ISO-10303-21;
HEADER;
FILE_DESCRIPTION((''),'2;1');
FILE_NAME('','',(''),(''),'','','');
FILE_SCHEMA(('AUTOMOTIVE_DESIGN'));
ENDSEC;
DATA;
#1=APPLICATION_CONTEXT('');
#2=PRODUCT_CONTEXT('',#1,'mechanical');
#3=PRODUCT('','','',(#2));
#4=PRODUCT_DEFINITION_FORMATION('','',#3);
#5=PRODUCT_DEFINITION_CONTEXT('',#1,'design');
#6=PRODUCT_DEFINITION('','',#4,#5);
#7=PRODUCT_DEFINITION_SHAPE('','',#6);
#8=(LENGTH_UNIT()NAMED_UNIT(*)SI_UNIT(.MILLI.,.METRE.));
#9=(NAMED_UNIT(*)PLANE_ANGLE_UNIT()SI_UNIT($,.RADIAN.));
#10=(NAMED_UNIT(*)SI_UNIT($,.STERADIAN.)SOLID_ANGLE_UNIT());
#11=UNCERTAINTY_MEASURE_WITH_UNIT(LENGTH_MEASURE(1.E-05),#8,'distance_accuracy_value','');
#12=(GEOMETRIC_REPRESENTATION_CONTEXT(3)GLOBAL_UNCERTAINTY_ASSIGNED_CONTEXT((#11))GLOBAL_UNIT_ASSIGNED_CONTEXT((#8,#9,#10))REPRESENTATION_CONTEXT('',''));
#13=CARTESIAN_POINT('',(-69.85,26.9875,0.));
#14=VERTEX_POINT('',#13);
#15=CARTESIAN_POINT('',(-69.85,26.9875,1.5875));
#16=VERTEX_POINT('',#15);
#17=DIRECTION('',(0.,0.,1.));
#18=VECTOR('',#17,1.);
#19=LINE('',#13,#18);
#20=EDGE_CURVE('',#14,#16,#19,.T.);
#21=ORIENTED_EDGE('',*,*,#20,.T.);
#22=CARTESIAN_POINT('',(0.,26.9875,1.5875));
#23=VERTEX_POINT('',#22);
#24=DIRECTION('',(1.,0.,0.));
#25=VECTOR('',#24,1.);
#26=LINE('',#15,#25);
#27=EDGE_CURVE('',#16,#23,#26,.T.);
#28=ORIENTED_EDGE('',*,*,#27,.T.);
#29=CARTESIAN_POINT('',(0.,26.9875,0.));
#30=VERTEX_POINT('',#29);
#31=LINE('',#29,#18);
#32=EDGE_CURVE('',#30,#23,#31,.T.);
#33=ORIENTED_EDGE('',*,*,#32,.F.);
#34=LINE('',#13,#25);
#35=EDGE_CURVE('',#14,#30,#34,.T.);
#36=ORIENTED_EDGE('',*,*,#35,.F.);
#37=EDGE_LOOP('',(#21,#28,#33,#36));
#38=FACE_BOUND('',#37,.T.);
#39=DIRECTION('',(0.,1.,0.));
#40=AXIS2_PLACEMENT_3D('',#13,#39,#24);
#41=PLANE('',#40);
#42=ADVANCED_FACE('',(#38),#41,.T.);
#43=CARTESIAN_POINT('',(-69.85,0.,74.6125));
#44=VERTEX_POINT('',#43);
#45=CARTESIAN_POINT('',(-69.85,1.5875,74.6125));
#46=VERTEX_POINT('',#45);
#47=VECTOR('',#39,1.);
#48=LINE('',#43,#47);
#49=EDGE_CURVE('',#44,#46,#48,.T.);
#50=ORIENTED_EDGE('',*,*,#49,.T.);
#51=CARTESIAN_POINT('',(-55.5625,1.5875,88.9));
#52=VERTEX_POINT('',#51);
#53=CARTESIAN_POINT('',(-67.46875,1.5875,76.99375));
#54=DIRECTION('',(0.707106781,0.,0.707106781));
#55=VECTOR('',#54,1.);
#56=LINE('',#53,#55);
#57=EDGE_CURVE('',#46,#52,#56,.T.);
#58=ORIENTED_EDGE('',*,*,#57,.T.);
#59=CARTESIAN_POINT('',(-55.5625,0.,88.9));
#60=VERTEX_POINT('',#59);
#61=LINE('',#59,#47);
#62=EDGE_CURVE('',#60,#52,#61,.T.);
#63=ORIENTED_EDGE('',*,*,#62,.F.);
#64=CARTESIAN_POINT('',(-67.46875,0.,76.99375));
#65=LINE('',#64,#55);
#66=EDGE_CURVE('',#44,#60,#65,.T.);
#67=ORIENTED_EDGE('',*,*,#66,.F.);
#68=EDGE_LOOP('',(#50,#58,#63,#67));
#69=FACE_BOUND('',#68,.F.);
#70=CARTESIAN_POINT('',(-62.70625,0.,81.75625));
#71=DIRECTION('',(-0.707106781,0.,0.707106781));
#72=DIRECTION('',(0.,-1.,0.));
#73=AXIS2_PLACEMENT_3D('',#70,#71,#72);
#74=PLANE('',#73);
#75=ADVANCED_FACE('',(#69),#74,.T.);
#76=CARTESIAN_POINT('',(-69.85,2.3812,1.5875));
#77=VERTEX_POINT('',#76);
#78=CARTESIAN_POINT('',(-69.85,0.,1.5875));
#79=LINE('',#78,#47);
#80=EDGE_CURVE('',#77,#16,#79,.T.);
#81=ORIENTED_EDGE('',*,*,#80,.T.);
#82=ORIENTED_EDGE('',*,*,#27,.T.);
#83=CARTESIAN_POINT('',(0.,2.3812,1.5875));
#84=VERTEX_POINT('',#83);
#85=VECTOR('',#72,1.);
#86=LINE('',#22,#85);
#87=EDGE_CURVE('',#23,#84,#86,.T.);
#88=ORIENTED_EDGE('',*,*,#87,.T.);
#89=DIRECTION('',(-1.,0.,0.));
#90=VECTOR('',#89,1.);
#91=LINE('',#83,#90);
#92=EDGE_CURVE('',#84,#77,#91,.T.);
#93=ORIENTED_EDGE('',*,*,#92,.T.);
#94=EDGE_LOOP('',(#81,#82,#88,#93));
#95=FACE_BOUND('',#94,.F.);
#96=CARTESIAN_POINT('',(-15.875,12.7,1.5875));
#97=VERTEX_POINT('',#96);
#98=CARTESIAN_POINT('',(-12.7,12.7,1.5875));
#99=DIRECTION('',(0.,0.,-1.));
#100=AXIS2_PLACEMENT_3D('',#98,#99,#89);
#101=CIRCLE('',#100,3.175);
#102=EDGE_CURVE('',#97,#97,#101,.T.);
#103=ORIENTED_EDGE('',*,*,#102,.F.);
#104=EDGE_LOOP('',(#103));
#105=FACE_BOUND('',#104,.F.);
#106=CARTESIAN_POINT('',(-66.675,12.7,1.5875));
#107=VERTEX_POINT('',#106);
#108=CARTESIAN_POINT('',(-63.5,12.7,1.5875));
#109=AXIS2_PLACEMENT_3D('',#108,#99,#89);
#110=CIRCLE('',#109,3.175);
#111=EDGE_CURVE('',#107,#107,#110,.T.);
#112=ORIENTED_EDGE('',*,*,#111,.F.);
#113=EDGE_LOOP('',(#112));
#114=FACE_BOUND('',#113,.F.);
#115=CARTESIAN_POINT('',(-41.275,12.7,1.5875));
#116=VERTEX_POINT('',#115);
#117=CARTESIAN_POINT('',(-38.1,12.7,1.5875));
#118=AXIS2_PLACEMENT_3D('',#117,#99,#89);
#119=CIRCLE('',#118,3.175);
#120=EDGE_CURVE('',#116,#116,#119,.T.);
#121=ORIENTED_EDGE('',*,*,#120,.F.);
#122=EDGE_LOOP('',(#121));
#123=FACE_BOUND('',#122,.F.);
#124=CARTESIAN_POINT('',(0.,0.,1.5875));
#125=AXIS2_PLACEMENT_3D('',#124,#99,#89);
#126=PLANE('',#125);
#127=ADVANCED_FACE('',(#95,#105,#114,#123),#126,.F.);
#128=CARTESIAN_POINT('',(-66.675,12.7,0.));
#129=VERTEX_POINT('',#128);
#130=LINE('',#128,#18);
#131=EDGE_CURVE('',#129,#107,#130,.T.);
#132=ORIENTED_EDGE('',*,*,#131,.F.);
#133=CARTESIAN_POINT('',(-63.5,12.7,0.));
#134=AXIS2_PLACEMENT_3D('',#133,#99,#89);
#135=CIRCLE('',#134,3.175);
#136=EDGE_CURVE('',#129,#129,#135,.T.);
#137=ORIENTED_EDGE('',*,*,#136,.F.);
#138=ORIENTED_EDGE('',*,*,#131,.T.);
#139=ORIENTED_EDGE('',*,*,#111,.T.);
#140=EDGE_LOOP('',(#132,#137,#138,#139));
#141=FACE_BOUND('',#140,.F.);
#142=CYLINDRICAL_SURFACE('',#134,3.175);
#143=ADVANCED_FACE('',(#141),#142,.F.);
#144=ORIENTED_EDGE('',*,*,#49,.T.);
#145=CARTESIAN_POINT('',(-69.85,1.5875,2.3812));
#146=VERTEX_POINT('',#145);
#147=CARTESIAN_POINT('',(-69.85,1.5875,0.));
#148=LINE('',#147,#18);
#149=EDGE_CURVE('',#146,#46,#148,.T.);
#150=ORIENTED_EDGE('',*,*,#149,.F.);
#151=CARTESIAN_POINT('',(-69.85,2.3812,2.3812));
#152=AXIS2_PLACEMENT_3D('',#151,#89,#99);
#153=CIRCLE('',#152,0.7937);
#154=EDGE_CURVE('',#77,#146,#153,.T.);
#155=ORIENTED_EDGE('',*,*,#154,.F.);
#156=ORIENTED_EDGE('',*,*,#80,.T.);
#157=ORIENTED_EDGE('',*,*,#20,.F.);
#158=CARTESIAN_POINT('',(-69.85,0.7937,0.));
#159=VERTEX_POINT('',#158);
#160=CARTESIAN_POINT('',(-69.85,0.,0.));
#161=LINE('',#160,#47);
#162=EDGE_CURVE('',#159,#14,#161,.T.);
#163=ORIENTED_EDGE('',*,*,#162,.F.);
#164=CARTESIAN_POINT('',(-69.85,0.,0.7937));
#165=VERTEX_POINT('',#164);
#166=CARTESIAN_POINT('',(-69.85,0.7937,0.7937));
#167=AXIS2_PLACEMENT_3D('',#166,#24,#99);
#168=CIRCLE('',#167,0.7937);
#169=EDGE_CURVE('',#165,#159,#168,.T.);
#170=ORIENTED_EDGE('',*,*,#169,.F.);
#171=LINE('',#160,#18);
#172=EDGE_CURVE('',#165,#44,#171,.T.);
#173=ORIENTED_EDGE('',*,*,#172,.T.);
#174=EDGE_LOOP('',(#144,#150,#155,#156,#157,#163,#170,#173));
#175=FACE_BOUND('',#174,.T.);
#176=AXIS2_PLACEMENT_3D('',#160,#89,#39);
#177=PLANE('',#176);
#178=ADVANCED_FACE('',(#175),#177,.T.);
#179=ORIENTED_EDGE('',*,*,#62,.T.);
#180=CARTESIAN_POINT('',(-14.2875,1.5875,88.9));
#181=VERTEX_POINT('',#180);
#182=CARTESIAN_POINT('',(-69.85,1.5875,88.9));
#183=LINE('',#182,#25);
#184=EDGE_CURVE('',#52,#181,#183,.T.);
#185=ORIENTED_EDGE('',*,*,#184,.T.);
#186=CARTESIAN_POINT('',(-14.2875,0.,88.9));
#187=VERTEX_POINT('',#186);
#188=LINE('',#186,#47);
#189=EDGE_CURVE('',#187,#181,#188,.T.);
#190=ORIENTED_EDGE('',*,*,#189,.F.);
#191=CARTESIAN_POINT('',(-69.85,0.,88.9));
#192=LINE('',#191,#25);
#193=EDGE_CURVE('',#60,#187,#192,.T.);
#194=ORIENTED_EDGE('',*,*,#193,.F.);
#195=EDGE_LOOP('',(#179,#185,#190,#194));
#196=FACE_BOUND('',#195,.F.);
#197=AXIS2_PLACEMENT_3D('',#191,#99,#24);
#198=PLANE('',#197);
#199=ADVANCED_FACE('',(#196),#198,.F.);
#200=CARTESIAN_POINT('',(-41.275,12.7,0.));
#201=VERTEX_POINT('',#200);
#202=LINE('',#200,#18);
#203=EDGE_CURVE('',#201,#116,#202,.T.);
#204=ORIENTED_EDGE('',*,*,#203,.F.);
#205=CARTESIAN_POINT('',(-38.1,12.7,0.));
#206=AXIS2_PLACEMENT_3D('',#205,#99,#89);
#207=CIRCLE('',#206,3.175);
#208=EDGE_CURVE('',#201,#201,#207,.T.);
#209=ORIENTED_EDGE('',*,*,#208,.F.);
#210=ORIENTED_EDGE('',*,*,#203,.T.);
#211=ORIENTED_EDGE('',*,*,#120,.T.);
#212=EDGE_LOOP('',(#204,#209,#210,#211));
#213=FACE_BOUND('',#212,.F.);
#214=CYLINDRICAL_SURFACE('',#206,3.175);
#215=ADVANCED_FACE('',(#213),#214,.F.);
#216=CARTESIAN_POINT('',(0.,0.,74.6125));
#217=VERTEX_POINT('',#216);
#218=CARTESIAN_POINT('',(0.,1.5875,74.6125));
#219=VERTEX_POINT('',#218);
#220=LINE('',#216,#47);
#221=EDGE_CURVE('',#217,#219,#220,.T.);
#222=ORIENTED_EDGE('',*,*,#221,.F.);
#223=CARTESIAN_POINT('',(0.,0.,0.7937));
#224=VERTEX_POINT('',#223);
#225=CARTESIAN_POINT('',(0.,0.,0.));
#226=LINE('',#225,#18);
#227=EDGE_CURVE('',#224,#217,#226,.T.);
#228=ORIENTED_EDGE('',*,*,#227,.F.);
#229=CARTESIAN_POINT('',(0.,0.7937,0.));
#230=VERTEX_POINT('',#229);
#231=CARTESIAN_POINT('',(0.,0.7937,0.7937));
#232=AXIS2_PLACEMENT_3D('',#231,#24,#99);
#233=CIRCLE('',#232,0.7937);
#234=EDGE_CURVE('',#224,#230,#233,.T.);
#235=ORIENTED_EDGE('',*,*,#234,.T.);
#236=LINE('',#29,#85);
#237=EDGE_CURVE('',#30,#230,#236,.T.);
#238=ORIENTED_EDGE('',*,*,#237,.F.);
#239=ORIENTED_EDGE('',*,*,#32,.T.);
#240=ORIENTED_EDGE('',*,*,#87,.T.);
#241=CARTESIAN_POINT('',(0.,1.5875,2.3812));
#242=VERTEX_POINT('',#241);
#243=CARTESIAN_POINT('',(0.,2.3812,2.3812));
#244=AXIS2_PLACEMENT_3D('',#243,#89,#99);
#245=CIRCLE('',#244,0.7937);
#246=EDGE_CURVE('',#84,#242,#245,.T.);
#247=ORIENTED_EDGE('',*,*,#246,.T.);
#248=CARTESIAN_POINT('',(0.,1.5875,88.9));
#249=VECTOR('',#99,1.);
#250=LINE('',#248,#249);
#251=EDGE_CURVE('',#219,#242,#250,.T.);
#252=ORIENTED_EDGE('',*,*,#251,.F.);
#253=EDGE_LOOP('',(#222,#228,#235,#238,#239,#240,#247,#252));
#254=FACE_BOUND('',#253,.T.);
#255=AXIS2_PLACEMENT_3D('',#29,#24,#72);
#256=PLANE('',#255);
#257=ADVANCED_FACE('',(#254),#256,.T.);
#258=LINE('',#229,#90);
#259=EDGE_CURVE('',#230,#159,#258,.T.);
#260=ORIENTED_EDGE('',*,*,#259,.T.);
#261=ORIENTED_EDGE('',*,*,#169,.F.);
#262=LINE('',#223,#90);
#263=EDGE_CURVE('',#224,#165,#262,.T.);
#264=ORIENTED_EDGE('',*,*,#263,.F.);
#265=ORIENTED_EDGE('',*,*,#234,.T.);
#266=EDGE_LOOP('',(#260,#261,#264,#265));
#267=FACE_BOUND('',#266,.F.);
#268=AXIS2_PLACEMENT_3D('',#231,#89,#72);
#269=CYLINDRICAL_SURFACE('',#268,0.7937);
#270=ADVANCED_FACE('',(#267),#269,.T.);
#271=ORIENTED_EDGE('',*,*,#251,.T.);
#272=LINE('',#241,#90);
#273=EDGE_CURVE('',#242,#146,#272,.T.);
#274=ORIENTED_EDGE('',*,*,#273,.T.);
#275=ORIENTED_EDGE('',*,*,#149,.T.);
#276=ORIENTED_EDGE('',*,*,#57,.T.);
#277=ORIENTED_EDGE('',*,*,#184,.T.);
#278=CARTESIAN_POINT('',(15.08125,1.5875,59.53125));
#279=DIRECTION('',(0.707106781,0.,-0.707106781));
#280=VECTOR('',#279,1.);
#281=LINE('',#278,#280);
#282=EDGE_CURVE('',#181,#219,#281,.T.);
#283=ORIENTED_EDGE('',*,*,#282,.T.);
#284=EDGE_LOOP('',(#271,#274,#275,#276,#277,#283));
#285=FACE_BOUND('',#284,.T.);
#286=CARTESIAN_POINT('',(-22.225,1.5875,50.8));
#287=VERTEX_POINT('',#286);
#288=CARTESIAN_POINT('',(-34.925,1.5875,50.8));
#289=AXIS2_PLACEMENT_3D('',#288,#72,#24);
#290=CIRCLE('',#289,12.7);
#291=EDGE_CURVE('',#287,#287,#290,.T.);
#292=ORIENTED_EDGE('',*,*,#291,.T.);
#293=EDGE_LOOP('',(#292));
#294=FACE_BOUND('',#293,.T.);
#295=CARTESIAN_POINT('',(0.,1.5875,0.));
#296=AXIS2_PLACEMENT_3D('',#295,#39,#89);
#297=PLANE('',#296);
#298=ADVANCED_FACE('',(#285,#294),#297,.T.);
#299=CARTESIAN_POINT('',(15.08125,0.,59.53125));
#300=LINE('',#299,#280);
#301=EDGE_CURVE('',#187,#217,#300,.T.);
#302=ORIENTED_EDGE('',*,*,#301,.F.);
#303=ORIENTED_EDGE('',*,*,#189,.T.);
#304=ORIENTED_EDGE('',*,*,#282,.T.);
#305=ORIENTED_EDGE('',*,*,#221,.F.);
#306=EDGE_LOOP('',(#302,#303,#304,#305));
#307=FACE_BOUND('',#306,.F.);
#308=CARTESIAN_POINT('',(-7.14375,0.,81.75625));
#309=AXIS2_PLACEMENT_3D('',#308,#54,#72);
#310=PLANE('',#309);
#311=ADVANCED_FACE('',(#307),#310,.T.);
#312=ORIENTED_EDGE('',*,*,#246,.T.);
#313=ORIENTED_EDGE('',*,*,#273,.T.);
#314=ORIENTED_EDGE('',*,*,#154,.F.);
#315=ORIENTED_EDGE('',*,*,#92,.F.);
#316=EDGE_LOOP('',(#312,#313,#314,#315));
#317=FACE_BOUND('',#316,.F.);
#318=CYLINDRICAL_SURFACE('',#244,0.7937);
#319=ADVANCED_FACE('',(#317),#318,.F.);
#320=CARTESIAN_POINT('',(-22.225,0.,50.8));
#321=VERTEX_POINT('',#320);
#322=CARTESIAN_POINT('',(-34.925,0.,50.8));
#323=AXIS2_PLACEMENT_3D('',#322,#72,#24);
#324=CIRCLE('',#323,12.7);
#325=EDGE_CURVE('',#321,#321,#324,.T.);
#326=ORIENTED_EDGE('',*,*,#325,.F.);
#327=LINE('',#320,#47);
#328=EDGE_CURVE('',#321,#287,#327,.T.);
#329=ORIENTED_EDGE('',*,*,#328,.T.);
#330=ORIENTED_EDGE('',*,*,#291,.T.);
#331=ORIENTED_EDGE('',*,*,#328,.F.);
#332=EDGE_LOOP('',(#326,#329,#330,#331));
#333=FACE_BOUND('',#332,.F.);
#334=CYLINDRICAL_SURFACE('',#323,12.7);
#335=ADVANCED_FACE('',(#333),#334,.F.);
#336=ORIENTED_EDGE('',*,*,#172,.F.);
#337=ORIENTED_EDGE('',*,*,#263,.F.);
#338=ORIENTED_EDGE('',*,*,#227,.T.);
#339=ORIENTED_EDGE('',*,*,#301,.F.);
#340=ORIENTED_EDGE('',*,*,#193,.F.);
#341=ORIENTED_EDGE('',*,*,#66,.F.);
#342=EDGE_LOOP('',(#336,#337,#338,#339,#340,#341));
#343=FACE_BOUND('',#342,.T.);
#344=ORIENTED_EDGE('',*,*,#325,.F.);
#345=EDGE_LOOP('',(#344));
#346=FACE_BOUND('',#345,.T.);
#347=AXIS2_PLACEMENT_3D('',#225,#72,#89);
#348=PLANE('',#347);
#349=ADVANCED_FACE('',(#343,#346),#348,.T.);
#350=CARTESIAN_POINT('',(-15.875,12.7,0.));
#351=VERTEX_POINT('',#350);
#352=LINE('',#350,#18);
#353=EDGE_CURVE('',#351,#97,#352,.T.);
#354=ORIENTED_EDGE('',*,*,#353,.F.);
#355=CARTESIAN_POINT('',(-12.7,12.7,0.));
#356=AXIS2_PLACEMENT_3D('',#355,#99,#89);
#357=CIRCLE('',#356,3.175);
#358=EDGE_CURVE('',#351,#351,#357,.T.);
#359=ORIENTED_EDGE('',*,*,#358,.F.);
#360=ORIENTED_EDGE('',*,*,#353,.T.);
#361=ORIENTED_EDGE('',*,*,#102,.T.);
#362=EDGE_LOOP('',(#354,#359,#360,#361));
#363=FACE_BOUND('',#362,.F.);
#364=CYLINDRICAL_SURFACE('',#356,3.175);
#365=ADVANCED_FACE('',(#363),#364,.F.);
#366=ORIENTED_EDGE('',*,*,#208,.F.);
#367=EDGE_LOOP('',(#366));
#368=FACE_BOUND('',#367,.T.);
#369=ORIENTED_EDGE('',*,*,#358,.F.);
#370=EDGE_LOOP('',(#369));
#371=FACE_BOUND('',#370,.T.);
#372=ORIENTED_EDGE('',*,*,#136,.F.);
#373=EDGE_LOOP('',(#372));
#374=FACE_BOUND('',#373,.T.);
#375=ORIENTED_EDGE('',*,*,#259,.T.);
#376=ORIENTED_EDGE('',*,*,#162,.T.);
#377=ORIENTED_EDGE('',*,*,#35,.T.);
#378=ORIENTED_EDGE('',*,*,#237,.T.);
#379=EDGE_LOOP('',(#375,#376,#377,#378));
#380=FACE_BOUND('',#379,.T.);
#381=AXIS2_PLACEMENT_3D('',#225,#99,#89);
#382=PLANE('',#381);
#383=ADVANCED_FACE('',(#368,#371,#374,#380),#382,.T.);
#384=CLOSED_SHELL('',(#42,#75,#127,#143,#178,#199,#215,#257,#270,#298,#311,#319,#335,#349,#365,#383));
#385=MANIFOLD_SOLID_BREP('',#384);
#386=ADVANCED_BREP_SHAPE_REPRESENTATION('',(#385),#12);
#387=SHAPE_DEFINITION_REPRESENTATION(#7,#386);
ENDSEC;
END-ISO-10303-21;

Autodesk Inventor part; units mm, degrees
ref_plane "YZ Plane" through (0, 0, 0) normal (1, 0, 0) x (0, 1, 0)
ref_plane "XZ Plane" through (0, 0, 0) normal (0, 1, 0) x (-1, 0, 0)
ref_plane "XY Plane" through (0, 0, 0) normal (0, 0, 1) x (1, 0, 0)
sketch "Sketch1" plane through (0, 0, 0) normal (0, 1, 0) x (-1, 0, 0)
  line L0 (69.85, 88.9) -> (0, 88.9)
  line L1 (0, 88.9) -> (0, 0)
  line L2 (0, 0) -> (69.85, 0)
  line L3 (69.85, 0) -> (69.85, 88.9)
extrude "Extrusion1" add sketch "Sketch1" along normal blind 1.5875
chamfer "Chamfer1" distance 14.2875 angle 45 1 edges at (-69.85, 0.7937, 88.9)
chamfer "Chamfer2" distance 14.2875 angle 45 1 edges at (0, 0.7937, 88.9)
sketch "Sketch2" plane through (0, 0, 0) normal (0, 0, -1) x (-1, 0, 0)
  line L0 (69.85, 26.9875) -> (0, 26.9875)
  line L1 (0, 26.9875) -> (0, 0)
  line L2 (0, 0) -> (69.85, 0)
  line L3 (69.85, 0) -> (69.85, 26.9875)
sketch "Sketch3" plane through (0, 0, 0) normal (1, 0, 0) x (0, 0, -1)
  line L0 (0, 0) -> (-1.5875, 0)
  line L1 (-1.5875, 0) -> (-1.5875, 1.5875)
  line L2 (-1.5875, 1.5875) -> (0, 1.5875)
  line L3 (0, 1.5875) -> (0, 0)
  dimension "d8" = 1.5875
  dimension "d9" = 1.5875
extrude "Extrusion2" cut sketch "Sketch3" against normal blind 69.85
extrude "Extrusion3" add sketch "Sketch2" against normal blind 1.5875
fillet "Fillet1" radius 0.7937 1 edges at (-34.925, 1.5875, 1.5875)
fillet "Fillet2" radius 0.7937 1 edges at (-34.925, 0, 0)
sketch "Sketch4" plane through (0, 0, 0) normal (0, 0, -1) x (-1, 0, 0)
  circle A0 centre (12.7, 12.7) radius 3.175
  point P0 (0, 0)
  dimension "d16" = 6.35
extrude "Extrusion4" cut sketch "Sketch4" against normal blind 1.5875
sketch "Sketch5" plane through (0, 0, 0) normal (0, 0, -1) x (-1, 0, 0)
  circle A0 centre (63.5, 12.7) radius 3.175
  point P0 (0, 0)
  dimension "d19" = 6.35
extrude "Extrusion5" cut sketch "Sketch5" against normal blind 1.5875
sketch "Sketch6" plane through (0, 0, 0) normal (0, 0, -1) x (-1, 0, 0)
  circle A0 centre (38.1, 12.7) radius 3.175
  point P0 (0, 0)
  dimension "d22" = 6.35
extrude "Extrusion6" cut sketch "Sketch6" against normal blind 1.5875
sketch "Sketch7" plane through (0, 0, 0) normal (0, -1, 0) x (1, 0, 0)
  circle A0 centre (-34.925, 50.8) radius 12.7
  point P0 (0, 0)
  dimension "d25" = 25.4
extrude "Extrusion7" cut sketch "Sketch7" against normal blind 1.5875
properties part number "alignmentWheelsBarP2"
